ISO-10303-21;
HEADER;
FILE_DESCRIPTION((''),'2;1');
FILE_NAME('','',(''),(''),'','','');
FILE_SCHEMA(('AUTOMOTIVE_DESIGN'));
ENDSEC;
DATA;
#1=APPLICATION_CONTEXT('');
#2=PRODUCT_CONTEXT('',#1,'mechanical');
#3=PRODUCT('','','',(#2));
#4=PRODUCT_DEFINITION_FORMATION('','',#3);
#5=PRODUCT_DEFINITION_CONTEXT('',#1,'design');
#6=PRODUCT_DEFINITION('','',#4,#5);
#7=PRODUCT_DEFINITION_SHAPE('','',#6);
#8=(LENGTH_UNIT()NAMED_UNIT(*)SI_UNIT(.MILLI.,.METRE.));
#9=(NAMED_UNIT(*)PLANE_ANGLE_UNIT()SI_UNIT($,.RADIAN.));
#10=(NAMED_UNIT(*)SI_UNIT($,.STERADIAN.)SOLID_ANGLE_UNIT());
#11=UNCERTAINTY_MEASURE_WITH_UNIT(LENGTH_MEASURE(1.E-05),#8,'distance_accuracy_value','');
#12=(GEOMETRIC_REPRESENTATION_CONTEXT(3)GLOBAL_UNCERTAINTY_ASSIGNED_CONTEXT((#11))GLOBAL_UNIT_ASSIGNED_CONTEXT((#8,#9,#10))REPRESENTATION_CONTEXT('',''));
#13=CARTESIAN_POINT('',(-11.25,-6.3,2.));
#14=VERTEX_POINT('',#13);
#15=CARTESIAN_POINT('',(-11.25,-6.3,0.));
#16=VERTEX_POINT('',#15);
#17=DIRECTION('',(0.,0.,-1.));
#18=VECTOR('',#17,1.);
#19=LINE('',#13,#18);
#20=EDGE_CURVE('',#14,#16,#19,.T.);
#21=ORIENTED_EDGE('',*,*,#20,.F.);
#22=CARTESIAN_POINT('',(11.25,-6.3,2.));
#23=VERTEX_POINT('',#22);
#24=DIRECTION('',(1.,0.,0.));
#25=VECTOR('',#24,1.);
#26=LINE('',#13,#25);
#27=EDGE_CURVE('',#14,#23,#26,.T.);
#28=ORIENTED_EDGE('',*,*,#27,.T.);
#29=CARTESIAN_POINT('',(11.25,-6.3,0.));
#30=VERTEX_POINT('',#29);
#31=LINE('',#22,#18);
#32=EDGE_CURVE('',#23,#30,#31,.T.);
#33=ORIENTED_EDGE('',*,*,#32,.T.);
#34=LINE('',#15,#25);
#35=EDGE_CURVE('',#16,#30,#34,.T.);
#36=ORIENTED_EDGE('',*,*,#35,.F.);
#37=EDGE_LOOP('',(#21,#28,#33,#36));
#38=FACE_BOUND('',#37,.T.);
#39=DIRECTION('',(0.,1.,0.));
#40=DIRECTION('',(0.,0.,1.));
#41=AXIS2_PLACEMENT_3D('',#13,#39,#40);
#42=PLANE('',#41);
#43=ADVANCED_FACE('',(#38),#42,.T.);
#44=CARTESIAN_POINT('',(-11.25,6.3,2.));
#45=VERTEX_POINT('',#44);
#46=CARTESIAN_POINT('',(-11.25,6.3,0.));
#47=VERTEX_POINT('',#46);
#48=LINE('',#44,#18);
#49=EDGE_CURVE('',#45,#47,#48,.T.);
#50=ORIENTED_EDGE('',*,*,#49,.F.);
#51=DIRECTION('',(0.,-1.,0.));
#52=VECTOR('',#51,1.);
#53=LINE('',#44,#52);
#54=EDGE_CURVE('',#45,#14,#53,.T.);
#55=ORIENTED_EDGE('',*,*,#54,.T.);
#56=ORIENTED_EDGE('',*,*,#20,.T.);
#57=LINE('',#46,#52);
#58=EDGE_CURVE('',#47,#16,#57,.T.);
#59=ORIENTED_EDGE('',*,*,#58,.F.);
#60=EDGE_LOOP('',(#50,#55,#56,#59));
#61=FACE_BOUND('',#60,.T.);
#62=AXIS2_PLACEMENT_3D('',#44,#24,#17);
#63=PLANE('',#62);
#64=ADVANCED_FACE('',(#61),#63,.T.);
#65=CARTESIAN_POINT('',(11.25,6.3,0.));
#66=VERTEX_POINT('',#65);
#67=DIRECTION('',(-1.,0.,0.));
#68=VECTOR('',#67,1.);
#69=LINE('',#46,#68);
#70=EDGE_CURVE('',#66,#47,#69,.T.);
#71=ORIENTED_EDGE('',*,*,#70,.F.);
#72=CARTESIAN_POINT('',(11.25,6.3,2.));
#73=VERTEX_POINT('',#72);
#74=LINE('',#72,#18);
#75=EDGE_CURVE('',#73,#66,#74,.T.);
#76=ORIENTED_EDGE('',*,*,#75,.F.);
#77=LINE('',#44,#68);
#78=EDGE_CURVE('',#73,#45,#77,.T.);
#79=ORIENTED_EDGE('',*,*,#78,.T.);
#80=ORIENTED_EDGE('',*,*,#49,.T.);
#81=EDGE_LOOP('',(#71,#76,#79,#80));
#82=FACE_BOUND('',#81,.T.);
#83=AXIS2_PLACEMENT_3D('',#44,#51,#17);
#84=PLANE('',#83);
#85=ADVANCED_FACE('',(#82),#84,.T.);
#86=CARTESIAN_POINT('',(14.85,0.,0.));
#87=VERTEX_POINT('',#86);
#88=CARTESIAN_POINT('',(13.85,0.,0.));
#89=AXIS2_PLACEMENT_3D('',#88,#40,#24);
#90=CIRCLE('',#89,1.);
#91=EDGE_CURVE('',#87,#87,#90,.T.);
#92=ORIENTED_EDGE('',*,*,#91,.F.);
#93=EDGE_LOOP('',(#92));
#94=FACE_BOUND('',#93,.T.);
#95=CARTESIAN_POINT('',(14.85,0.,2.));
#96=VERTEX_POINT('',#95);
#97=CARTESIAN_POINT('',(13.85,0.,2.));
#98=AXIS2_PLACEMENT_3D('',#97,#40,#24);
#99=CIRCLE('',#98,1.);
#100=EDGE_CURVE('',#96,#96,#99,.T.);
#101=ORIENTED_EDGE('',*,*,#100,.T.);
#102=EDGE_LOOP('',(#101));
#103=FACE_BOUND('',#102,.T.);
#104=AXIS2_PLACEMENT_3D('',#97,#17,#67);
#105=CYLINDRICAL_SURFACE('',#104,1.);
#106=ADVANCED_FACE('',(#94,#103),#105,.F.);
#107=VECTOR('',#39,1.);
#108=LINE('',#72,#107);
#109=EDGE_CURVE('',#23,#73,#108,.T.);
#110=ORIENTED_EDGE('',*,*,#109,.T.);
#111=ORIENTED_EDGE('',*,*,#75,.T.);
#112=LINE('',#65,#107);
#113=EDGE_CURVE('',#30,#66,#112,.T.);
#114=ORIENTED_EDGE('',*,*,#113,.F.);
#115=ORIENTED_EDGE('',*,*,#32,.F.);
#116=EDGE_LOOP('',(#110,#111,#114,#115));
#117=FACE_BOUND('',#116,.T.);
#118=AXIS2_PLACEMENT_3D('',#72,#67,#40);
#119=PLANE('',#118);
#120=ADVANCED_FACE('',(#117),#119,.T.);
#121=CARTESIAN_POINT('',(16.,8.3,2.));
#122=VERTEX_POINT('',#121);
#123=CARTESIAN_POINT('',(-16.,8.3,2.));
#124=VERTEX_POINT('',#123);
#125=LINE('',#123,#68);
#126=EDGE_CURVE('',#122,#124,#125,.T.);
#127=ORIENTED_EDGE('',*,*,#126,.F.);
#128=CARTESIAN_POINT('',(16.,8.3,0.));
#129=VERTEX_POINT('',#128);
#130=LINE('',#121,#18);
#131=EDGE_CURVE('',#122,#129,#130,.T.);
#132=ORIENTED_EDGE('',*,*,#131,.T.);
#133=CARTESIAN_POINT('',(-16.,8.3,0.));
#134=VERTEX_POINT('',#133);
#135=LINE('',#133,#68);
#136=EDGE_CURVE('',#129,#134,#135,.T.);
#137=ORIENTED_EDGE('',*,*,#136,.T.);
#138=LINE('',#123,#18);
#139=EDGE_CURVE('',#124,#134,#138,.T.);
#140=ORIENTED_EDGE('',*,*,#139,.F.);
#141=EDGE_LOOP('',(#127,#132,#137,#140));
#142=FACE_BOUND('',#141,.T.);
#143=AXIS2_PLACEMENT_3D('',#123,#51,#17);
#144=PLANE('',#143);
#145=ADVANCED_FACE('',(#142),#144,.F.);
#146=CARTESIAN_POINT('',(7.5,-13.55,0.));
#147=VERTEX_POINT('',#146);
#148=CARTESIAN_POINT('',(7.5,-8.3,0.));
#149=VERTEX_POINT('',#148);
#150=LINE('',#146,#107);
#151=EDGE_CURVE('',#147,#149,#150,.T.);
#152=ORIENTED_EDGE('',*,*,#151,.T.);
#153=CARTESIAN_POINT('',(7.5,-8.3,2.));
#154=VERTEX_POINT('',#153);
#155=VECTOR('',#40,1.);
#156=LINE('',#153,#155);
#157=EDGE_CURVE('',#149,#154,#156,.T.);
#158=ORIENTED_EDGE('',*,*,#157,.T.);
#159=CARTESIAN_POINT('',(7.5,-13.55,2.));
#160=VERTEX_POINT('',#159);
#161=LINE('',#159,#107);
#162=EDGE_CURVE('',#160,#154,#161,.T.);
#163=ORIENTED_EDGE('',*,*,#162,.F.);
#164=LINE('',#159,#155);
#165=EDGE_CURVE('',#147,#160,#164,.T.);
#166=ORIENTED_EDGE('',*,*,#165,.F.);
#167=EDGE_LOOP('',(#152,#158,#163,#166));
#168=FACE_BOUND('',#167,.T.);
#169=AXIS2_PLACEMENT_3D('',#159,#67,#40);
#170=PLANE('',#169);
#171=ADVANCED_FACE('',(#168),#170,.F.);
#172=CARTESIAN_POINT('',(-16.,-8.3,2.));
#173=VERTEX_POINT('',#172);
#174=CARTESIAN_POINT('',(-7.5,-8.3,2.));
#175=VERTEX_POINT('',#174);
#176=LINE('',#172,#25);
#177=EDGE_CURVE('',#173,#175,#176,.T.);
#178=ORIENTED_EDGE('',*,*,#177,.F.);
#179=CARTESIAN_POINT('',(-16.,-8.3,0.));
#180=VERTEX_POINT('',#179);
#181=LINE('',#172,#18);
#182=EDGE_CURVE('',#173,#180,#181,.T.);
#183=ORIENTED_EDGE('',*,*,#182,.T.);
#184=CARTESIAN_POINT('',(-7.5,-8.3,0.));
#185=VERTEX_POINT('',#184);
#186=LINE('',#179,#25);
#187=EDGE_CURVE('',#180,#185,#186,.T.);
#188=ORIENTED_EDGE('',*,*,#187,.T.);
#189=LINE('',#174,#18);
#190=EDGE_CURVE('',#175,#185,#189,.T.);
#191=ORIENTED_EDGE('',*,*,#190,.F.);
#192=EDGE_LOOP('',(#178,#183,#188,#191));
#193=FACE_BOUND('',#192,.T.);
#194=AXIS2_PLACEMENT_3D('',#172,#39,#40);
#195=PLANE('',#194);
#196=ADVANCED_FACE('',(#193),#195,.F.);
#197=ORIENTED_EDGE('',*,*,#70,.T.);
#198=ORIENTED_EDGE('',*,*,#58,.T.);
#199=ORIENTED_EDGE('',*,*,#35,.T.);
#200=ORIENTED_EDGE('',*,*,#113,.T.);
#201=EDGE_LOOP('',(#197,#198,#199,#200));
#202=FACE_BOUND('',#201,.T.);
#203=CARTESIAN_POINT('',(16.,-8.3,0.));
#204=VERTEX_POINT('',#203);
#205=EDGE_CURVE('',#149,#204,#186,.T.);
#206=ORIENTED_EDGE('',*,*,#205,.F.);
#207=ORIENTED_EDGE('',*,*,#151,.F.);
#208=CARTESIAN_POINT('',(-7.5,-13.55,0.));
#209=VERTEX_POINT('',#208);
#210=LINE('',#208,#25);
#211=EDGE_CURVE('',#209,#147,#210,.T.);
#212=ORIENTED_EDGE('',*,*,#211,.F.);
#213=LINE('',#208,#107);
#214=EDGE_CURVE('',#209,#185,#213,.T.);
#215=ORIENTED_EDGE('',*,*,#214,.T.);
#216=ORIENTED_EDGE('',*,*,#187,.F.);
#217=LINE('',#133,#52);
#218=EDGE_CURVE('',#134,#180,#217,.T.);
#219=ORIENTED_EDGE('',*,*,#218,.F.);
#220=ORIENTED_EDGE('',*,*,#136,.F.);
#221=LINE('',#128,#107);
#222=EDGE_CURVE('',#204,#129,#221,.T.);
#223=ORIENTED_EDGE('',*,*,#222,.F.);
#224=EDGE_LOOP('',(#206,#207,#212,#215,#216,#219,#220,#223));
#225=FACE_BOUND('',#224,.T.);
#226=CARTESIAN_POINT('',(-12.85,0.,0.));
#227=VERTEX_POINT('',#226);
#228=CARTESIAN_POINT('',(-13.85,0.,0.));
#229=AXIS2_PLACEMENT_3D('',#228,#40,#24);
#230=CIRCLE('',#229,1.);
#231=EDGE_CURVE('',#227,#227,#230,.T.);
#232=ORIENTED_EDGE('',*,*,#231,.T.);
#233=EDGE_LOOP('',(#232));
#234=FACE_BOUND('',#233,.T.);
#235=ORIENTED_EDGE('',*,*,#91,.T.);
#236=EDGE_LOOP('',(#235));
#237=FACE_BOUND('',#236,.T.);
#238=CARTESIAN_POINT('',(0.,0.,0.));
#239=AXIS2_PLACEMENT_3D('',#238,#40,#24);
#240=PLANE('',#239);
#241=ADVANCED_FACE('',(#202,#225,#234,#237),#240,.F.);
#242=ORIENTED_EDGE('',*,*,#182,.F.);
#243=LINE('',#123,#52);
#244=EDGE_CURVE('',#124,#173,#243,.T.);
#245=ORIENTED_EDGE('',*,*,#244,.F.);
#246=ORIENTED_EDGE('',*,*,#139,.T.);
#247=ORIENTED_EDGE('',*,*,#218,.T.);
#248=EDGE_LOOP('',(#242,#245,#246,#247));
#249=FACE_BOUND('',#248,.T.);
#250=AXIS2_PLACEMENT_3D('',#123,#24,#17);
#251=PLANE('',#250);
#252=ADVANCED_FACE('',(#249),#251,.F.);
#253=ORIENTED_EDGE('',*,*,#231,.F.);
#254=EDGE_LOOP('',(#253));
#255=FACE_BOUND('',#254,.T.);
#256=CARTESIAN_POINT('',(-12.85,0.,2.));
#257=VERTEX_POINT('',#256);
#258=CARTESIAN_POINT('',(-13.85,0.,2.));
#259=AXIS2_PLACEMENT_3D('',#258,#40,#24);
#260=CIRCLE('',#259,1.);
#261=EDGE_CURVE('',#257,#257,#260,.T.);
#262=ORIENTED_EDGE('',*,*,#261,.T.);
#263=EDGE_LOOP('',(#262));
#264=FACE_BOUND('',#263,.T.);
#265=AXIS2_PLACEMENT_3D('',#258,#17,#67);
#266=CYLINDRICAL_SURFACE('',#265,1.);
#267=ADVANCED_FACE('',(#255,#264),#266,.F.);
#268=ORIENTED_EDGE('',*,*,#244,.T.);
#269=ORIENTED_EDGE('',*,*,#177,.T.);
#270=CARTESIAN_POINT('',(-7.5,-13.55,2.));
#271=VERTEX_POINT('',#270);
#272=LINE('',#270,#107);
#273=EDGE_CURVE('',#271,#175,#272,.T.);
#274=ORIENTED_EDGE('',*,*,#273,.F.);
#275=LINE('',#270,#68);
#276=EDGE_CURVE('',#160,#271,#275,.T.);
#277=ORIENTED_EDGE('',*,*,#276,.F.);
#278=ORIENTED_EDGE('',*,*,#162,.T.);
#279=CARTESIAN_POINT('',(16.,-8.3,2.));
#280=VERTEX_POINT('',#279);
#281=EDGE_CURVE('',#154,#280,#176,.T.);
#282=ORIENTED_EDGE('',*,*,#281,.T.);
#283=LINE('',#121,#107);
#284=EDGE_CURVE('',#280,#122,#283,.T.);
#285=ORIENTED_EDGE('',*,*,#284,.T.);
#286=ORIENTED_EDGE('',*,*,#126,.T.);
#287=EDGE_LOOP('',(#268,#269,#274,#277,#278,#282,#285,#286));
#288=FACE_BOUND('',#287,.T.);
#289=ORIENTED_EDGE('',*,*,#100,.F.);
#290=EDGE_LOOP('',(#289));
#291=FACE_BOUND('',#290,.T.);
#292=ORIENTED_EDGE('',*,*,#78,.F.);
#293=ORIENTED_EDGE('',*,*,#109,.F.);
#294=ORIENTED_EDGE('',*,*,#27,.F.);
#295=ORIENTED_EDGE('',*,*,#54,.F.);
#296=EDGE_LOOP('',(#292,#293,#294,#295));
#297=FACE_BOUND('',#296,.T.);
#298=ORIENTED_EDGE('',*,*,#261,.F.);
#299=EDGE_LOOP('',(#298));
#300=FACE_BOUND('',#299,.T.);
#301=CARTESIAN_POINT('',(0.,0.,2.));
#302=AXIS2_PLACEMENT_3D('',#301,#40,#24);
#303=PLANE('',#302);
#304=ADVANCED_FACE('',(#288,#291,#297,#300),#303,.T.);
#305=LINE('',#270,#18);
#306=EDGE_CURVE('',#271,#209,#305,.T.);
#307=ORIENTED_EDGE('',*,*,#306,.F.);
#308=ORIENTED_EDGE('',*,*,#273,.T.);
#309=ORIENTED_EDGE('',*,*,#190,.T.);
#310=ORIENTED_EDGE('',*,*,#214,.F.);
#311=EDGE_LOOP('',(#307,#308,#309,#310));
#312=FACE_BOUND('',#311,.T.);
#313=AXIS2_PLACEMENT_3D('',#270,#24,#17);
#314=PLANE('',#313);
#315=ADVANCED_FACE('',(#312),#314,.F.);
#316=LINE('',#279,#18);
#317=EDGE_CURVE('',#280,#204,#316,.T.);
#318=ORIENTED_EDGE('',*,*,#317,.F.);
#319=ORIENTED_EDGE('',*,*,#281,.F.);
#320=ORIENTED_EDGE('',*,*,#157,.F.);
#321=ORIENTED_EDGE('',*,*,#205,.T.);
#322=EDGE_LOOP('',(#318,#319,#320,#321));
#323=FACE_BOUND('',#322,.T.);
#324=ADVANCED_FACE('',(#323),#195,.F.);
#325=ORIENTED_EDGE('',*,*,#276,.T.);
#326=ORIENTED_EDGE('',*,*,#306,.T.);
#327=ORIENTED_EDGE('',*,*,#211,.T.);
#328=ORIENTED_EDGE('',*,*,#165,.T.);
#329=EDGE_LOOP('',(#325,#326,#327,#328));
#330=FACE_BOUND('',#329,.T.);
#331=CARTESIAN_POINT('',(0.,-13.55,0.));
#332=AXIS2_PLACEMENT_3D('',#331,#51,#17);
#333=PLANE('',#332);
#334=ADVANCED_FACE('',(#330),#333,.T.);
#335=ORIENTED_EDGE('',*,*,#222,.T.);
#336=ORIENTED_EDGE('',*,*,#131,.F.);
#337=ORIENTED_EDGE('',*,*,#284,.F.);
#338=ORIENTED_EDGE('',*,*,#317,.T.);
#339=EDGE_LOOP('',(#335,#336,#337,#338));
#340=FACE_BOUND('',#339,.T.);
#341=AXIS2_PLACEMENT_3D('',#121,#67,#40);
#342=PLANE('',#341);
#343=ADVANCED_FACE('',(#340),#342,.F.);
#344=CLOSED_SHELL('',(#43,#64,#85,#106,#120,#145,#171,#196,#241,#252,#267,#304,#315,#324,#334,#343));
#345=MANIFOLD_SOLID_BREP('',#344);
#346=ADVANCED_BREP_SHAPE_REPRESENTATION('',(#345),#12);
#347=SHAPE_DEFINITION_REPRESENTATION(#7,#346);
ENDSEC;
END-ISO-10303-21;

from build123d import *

# Parameters (mm, degrees)
SKETCH1_W           = 32
SKETCH1_H           = 16.6
SKETCH1_R           = 1
SKETCH1_W_2         = 22.5
SKETCH1_H_2         = 12.6
BOSS_EXTRUDE1_DEPTH = 2
SKETCH2_W           = 15
SKETCH2_H           = 2
BOSS_EXTRUDE2_DEPTH = 5.25


with BuildPart() as part:
    # Sketch1 → Boss-Extrude1 (new body)
    with BuildSketch(Plane.XY):
        Rectangle(SKETCH1_W, SKETCH1_H)
        with Locations((-13.85, 0)):
            Circle(SKETCH1_R, mode=Mode.SUBTRACT)
        with Locations((13.85, 0)):
            Circle(SKETCH1_R, mode=Mode.SUBTRACT)
        Rectangle(SKETCH1_W_2, SKETCH1_H_2, mode=Mode.SUBTRACT)
    extrude(amount=BOSS_EXTRUDE1_DEPTH)

    # Sketch2 → Boss-Extrude2 (add)
    with BuildSketch(Plane.XZ.offset(8.3)):
        with Locations((0, 1)):
            Rectangle(SKETCH2_W, SKETCH2_H)
    extrude(amount=BOSS_EXTRUDE2_DEPTH)


solid = part.part
